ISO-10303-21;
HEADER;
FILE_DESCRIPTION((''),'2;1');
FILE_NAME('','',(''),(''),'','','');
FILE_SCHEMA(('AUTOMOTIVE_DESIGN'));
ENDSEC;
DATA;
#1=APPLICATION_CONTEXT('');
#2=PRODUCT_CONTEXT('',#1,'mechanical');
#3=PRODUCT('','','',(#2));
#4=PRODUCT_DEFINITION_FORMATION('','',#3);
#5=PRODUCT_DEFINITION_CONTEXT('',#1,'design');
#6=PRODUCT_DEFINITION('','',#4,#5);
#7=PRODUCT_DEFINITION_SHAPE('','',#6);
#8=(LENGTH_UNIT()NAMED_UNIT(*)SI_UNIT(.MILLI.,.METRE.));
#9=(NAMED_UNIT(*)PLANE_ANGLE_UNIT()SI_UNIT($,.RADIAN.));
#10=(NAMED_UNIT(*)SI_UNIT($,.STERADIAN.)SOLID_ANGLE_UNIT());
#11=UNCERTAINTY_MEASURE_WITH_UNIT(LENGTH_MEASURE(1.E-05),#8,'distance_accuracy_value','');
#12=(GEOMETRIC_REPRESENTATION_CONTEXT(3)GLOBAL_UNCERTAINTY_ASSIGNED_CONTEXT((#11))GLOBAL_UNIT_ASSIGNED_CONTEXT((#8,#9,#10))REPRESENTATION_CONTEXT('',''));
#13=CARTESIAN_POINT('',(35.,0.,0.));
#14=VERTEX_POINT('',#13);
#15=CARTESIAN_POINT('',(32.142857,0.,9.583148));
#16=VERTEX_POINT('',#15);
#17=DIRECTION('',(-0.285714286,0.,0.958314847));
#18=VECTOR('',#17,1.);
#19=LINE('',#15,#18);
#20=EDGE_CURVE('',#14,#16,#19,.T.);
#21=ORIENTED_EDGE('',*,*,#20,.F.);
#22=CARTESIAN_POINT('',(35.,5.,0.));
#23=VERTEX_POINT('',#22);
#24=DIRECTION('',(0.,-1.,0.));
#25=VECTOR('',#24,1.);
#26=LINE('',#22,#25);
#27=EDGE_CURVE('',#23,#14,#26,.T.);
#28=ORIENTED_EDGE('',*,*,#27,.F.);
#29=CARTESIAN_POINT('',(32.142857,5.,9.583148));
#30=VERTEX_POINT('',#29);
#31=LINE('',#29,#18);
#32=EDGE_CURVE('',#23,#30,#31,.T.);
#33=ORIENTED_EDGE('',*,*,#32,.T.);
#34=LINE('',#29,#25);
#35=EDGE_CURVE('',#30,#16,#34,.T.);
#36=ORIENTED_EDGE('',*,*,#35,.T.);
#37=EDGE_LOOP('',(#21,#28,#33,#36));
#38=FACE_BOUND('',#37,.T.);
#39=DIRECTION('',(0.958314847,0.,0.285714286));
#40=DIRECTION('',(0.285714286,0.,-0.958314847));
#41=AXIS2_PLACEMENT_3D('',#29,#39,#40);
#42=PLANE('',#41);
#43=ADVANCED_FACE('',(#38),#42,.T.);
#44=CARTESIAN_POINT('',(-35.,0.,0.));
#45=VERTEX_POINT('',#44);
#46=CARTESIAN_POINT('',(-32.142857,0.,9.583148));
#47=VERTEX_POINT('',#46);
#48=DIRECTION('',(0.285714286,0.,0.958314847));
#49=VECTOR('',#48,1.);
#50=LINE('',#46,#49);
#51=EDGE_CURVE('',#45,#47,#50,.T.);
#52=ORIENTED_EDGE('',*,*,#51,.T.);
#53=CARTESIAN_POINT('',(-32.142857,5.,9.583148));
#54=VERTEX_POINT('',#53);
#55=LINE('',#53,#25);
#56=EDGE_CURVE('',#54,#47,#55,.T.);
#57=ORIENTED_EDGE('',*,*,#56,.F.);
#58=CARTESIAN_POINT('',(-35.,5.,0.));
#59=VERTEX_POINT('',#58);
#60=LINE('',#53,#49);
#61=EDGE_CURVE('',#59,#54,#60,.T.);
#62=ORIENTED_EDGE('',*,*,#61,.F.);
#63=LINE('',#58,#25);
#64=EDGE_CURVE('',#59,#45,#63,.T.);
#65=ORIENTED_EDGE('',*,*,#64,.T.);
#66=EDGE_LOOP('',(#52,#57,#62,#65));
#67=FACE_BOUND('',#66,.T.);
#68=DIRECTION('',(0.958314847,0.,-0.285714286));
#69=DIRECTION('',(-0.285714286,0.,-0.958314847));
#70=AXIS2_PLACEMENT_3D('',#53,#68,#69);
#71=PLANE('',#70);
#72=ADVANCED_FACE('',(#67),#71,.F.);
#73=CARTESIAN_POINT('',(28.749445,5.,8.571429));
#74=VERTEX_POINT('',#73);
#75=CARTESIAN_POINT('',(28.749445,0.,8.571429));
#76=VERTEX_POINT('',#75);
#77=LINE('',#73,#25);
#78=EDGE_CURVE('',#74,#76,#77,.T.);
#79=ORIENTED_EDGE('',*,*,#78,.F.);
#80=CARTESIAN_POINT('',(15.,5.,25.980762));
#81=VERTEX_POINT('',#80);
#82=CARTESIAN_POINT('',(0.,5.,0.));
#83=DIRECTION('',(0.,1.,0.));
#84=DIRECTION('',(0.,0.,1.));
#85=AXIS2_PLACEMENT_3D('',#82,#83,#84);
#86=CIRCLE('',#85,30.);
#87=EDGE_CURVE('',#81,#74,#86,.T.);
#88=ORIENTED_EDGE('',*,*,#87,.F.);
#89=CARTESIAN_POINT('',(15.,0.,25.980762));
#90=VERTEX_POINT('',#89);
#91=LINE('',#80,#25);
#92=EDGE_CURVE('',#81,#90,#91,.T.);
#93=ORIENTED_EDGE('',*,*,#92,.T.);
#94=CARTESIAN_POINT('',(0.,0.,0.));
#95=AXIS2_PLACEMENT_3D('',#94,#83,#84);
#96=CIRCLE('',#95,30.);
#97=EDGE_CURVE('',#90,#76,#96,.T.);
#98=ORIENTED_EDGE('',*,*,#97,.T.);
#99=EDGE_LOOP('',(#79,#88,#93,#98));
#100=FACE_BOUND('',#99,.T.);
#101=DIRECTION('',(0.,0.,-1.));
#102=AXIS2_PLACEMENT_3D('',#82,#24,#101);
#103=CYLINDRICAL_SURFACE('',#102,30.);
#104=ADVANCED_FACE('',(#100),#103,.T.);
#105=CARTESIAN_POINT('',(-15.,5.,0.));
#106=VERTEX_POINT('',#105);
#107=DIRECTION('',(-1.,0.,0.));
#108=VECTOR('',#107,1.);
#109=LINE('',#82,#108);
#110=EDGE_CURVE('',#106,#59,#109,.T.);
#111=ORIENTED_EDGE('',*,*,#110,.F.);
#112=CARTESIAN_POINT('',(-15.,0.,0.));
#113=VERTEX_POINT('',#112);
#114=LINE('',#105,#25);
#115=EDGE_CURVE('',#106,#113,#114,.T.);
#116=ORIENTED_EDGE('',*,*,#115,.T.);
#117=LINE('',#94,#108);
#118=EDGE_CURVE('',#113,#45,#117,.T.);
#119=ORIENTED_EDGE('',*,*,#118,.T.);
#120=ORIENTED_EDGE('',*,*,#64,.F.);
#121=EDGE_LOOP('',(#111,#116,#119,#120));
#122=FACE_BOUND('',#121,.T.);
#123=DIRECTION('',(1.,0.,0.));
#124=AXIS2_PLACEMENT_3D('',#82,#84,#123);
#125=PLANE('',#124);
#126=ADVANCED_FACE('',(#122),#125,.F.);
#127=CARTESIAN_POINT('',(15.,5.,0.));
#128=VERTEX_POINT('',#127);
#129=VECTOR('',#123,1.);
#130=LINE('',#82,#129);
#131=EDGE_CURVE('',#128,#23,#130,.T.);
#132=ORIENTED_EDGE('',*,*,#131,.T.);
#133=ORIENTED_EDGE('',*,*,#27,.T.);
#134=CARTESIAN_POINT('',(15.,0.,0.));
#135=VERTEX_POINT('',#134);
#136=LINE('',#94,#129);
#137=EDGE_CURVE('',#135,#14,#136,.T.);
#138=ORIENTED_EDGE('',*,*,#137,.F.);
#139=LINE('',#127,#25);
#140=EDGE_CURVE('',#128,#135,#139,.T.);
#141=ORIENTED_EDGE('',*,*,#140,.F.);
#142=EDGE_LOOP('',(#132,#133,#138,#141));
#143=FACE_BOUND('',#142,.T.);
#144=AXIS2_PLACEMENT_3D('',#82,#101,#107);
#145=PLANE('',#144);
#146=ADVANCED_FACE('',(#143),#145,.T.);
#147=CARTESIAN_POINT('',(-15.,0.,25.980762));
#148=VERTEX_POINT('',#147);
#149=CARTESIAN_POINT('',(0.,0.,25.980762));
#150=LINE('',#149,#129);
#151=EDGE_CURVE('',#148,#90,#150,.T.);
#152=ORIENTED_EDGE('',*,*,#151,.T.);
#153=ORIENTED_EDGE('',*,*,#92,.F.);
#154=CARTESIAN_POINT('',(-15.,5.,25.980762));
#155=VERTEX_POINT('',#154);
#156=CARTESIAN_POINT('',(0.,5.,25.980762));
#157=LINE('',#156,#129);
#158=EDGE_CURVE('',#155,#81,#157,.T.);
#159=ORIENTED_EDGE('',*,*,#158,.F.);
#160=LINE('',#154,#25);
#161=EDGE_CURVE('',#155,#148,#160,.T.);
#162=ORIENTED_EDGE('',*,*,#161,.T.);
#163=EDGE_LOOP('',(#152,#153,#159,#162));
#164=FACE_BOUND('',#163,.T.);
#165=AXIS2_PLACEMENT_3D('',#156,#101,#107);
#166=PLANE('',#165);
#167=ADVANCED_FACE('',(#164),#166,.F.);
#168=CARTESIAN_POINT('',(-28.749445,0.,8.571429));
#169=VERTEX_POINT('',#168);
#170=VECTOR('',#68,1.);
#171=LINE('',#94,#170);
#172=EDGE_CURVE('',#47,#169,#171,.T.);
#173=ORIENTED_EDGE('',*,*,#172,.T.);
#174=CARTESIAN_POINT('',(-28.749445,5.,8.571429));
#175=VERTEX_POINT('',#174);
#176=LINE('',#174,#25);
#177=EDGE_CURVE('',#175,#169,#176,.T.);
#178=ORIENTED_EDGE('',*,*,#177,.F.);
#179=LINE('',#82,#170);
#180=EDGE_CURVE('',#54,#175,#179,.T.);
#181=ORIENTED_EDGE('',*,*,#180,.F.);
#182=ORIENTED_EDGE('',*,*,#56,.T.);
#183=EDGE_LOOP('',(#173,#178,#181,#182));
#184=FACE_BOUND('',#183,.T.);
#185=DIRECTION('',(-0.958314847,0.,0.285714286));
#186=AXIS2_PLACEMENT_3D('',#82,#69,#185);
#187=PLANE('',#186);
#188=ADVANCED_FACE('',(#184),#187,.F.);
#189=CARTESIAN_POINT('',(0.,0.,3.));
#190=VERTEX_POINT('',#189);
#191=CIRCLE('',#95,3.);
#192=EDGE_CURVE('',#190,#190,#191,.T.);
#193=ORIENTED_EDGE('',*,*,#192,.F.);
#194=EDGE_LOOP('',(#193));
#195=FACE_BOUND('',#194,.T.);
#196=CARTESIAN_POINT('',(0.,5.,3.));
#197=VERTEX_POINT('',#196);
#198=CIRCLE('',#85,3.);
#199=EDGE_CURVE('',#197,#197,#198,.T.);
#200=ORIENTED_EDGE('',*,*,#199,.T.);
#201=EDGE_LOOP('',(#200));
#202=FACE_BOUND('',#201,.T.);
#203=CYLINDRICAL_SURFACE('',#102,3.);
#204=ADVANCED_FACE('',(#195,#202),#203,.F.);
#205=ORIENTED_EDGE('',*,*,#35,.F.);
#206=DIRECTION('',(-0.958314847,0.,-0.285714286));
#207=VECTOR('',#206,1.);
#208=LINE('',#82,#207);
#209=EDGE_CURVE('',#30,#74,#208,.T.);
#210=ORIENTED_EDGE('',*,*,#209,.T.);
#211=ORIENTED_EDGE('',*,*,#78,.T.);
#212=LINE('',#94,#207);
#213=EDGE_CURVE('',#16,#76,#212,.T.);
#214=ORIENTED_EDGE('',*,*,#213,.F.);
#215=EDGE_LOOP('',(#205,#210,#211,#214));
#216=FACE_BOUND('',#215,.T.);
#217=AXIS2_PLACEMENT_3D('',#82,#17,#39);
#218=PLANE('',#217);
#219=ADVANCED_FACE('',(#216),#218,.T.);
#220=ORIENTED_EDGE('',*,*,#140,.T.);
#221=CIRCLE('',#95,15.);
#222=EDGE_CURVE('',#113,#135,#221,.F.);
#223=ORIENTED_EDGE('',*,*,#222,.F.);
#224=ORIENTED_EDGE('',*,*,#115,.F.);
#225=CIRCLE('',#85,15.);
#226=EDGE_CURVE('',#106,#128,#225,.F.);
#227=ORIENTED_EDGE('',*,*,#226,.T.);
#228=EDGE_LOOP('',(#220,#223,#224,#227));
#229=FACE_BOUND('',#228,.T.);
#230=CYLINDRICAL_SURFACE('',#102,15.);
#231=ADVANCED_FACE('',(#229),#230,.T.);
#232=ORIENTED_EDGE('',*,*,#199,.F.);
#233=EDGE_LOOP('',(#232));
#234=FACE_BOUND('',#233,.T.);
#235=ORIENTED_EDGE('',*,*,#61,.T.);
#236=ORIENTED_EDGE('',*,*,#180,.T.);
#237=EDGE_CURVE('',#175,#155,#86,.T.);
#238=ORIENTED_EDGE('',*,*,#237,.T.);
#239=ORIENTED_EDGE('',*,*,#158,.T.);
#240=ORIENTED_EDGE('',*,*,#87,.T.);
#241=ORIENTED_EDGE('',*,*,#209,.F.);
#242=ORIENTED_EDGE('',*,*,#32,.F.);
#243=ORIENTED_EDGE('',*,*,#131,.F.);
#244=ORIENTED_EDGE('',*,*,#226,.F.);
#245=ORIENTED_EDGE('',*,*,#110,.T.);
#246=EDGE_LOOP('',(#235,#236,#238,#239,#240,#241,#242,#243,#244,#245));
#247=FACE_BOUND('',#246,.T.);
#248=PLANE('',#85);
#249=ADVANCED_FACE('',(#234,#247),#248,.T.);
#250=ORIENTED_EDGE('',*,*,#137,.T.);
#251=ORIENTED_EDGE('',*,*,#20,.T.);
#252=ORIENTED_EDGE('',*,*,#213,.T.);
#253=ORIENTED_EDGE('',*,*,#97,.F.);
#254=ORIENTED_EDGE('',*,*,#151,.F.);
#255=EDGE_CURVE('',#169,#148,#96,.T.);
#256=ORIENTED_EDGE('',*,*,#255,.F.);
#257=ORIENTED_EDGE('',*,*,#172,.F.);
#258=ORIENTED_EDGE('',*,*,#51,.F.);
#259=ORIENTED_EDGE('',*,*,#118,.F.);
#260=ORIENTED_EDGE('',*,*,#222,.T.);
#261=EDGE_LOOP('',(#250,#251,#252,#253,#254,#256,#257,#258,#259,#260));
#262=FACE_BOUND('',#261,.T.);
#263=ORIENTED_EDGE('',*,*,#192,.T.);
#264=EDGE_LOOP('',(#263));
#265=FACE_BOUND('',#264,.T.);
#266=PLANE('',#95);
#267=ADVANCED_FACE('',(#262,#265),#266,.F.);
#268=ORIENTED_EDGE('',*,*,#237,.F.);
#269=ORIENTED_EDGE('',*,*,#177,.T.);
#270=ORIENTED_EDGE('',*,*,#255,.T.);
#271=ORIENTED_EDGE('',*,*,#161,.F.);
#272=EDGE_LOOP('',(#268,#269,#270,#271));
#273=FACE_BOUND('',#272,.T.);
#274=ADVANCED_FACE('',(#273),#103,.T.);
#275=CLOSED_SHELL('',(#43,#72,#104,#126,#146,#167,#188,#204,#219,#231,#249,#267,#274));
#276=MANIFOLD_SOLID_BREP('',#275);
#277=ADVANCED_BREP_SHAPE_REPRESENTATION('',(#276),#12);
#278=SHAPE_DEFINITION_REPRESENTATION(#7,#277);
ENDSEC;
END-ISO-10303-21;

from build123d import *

# Parameters (mm, degrees)
SKETCH1_R           = 3
BOSS_EXTRUDE1_DEPTH = 5


with BuildPart() as part:
    # Sketch1 → Boss-Extrude1 (new body)
    with BuildSketch(Plane(origin=(0, 0, 0), x_dir=(1, 0, 0), z_dir=(0, 1, 0))):
        with BuildLine():
            ThreePointArc((15, 0), (0, 15), (-15, 0))
            Line((-15, 0), (-30, 0))
            Line((-30, 0), (-35, 0))
            Line((-35, 0), (-32.142857143, -9.583148475))
            Line((-32.142857143, -9.583148475), (-28.749445425, -8.571428571))
            ThreePointArc((-28.749445425, -8.571428571), (-23.543039679, -18.593689323), (-15, -25.980762114))
            Line((-15, -25.980762114), (15, -25.980762114))
            ThreePointArc((15, -25.980762114), (23.543039679, -18.593689323), (28.749445425, -8.571428571))
            Line((28.749445425, -8.571428571), (32.142857143, -9.583148475))
            Line((32.142857143, -9.583148475), (35, 0))
            Line((35, 0), (30, 0))
            Line((30, 0), (15, 0))
        make_face()
        Circle(SKETCH1_R, mode=Mode.SUBTRACT)
    extrude(amount=BOSS_EXTRUDE1_DEPTH)


solid = part.part
